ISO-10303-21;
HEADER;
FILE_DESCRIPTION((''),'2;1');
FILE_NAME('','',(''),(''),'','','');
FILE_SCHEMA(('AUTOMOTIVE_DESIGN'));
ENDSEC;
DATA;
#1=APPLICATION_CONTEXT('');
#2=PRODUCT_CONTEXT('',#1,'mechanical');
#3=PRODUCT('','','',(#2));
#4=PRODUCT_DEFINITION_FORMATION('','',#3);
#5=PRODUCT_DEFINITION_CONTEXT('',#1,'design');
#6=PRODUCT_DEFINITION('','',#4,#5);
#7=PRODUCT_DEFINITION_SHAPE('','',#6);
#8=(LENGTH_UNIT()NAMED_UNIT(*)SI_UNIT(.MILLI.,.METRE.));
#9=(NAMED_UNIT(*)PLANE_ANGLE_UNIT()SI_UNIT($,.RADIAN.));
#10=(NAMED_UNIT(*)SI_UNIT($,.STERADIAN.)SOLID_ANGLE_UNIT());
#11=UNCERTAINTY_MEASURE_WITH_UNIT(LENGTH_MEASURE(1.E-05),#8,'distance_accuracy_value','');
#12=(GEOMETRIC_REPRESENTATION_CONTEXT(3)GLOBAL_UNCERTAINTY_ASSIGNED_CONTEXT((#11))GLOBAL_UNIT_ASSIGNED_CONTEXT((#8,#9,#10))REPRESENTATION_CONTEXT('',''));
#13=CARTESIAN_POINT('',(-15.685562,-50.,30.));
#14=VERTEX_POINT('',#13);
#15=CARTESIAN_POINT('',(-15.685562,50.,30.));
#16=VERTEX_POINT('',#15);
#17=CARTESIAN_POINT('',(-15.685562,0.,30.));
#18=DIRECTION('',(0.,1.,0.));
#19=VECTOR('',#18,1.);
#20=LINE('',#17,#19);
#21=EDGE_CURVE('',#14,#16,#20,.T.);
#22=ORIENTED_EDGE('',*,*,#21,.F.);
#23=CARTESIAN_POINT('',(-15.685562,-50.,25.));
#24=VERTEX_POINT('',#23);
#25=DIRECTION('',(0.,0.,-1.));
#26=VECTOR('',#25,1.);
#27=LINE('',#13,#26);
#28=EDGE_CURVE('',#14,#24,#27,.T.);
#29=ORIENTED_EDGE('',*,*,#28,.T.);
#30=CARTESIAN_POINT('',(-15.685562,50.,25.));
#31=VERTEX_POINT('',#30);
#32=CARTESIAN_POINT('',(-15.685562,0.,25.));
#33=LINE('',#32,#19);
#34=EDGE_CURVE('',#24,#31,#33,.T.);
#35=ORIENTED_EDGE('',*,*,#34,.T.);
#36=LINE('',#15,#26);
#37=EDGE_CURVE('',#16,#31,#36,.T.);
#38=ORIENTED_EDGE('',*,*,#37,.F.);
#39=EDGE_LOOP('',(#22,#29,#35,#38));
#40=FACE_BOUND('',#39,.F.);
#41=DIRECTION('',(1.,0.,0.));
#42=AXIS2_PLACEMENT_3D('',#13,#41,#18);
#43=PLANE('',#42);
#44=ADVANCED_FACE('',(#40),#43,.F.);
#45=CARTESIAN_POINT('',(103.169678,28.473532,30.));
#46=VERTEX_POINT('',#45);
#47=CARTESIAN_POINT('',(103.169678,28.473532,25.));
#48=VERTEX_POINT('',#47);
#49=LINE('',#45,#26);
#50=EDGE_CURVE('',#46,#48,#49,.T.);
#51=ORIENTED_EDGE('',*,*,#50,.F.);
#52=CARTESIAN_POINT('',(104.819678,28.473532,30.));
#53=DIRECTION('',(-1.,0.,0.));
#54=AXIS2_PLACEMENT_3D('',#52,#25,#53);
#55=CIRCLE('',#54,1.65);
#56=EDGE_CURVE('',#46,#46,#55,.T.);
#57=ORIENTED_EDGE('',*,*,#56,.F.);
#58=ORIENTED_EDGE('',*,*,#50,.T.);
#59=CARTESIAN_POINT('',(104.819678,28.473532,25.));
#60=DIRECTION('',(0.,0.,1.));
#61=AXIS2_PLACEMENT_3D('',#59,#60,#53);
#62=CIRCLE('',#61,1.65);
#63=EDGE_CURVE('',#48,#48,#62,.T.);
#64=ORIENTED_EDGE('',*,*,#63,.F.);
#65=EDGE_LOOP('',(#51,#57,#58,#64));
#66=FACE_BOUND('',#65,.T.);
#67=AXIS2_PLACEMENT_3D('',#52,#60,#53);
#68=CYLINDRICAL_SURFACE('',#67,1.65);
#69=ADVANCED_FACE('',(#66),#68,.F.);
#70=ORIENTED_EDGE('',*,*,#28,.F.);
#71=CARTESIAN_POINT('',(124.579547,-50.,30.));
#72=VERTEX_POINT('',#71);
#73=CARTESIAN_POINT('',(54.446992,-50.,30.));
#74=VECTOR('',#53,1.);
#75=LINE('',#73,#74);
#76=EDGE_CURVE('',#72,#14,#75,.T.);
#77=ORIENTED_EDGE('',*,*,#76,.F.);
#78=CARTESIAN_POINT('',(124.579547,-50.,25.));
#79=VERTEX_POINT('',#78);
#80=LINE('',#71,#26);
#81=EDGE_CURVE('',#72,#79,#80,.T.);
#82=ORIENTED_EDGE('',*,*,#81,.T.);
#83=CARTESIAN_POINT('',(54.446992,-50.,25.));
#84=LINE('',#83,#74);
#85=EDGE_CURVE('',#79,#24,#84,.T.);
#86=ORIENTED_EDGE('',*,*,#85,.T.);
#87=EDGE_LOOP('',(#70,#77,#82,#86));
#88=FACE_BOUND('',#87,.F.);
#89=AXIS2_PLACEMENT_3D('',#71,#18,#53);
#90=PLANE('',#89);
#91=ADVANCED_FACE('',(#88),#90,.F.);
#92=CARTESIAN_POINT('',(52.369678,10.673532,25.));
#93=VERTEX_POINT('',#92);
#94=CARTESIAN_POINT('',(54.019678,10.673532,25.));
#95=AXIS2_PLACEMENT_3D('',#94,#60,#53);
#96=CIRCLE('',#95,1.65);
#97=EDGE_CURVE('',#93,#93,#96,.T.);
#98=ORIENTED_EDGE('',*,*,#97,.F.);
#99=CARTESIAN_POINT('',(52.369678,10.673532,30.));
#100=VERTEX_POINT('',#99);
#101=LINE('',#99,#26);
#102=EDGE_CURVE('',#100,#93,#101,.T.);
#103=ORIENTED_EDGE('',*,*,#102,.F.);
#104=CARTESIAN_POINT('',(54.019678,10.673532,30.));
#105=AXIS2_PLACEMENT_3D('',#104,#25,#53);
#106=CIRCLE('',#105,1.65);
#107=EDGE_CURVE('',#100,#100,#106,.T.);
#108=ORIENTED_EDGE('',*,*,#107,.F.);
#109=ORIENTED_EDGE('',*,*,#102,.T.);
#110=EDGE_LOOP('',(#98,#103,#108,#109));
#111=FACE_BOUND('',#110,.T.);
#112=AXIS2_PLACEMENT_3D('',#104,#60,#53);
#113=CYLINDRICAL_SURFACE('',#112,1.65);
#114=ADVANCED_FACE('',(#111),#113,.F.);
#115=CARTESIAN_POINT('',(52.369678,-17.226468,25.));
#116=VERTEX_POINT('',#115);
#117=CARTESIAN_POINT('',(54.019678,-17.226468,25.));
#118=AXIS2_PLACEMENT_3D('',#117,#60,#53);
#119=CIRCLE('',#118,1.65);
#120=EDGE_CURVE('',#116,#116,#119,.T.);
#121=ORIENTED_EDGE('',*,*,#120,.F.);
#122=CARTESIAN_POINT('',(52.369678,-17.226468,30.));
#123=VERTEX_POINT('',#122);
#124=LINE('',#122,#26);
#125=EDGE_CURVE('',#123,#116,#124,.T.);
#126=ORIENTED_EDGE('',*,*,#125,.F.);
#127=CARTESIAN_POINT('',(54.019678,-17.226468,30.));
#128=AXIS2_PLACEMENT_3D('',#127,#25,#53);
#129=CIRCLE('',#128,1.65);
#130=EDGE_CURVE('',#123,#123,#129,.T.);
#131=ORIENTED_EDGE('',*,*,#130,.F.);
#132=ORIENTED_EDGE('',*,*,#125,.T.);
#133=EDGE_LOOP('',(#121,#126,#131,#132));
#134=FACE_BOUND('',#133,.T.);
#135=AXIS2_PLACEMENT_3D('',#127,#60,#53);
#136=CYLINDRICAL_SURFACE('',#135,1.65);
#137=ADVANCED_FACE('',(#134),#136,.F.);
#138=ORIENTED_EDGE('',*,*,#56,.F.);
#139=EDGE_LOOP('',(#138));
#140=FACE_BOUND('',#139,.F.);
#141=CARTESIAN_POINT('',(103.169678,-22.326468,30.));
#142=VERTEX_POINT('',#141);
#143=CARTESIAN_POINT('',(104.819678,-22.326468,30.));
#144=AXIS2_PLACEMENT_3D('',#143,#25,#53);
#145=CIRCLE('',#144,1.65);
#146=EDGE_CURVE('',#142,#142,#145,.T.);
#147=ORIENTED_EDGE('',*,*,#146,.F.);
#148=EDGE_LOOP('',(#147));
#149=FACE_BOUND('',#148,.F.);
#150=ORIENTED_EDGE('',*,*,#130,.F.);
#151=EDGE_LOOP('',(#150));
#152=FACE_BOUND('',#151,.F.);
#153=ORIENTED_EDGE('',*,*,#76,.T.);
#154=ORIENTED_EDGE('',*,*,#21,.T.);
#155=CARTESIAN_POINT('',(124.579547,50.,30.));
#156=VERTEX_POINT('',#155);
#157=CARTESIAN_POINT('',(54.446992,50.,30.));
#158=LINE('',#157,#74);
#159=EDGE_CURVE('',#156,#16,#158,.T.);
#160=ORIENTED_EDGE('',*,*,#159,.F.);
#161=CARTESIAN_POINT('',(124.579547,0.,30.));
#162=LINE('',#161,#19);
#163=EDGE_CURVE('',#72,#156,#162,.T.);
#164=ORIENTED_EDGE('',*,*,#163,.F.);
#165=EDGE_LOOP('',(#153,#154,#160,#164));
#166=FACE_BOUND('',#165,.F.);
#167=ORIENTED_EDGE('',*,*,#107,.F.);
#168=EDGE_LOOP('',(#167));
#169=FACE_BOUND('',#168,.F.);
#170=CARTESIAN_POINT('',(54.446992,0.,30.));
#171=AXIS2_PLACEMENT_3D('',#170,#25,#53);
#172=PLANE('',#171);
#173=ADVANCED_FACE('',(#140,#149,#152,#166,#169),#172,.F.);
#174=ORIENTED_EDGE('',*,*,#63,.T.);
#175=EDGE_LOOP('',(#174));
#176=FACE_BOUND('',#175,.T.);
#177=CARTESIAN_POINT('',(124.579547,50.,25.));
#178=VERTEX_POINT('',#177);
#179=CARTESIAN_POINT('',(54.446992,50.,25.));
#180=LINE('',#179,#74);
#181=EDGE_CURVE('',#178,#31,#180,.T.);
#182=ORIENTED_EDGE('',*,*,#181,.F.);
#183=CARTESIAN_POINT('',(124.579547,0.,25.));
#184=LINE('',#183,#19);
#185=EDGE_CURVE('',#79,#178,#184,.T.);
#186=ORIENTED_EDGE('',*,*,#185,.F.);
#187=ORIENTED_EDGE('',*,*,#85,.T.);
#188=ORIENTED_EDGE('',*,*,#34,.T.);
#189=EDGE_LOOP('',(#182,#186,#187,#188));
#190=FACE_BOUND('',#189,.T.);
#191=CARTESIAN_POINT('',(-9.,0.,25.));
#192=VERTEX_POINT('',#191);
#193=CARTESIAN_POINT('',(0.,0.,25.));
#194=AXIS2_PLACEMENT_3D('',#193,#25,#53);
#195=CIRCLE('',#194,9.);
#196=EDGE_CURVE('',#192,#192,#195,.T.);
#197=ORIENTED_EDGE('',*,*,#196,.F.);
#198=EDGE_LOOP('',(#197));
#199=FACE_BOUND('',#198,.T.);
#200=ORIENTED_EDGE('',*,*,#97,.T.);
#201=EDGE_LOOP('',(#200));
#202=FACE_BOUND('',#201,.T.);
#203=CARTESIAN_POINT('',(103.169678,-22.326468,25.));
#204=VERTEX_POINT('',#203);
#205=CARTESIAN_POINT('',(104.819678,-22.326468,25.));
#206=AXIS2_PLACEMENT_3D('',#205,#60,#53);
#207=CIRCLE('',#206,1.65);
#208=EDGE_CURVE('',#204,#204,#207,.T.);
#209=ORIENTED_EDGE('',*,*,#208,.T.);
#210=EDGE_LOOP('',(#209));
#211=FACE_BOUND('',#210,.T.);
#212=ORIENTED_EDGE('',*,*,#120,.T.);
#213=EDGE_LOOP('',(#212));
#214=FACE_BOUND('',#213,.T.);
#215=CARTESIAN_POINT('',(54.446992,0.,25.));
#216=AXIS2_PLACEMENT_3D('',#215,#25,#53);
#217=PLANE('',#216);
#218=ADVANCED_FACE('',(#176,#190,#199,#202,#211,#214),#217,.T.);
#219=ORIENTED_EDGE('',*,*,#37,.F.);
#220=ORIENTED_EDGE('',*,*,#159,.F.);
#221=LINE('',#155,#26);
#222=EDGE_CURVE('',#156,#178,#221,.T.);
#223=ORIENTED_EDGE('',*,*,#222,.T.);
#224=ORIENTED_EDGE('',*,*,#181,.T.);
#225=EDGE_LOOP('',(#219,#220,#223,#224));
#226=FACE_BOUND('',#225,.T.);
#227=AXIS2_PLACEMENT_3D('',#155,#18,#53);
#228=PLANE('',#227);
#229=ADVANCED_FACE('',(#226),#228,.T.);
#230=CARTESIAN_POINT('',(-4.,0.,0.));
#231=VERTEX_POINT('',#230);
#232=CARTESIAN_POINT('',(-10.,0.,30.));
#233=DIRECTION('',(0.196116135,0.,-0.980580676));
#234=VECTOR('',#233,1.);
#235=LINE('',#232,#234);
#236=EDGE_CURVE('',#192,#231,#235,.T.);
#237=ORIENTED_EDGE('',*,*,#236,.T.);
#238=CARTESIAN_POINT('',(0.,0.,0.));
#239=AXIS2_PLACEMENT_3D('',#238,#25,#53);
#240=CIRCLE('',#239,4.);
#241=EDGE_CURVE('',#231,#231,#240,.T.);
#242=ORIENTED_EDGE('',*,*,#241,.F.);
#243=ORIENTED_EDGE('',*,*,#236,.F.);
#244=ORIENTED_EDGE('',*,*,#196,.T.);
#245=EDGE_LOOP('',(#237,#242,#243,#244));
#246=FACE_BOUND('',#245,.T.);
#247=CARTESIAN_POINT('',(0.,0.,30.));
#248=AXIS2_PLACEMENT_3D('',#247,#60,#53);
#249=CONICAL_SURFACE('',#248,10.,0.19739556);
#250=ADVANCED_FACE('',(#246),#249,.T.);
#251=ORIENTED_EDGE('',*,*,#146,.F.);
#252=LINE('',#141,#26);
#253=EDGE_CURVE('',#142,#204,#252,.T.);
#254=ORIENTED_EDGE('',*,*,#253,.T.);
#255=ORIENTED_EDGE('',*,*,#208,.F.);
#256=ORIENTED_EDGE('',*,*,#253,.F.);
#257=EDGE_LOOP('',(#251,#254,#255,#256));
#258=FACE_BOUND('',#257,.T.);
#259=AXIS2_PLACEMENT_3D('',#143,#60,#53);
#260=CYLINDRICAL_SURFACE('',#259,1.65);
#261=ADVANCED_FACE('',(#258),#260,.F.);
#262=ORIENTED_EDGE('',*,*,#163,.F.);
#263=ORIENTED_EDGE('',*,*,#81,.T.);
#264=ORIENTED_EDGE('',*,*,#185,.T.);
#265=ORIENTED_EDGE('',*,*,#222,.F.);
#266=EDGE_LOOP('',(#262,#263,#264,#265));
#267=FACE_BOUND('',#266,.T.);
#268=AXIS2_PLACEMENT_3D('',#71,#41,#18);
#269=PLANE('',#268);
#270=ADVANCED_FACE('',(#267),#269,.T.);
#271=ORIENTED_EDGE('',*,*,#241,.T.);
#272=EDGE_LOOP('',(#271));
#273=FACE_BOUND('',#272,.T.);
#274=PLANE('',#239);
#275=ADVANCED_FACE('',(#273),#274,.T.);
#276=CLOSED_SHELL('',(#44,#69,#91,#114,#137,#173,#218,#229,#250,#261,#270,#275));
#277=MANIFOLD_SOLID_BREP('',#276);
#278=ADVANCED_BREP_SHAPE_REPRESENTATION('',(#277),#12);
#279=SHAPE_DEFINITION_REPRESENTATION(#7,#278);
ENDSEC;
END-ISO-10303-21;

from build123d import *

# Parameters (mm, degrees)
SKETCH_R                  = 1.65
PAD_DEPTH                 = 10
SKETCH001_W               = 140.265109
SKETCH001_H               = 100
PAD003_DEPTH              = 5
FUSION008_PLACEMENT_ANGLE = 180


with BuildPart() as pad:
    # Sketch → Pad (new body)
    with BuildSketch(Plane.XY):
        with Locations((4.180322, -22.326468)):
            Circle(SKETCH_R)
        with Locations((4.180322, 28.473532)):
            Circle(SKETCH_R)
        with Locations((54.980322, -17.226468)):
            Circle(SKETCH_R)
        with Locations((54.980322, 10.673532)):
            Circle(SKETCH_R)
    extrude(amount=PAD_DEPTH)


with BuildPart() as cut:
    # Sketch001 → Pad003 (new body)
    with BuildSketch(Plane.XY):
        with Locations((54.553008, 0)):
            Rectangle(SKETCH001_W, SKETCH001_H)
    extrude(amount=PAD003_DEPTH)

    # Cut: cut Pad
    add(pad.part, mode=Mode.SUBTRACT)


with BuildPart() as placa:
    # Cone → Cone (revolve)
    with BuildSketch(Plane(origin=(109, 0, 0), x_dir=(1, 0, 0), z_dir=(0, -1, 0))):
        Polygon((0, 0), (10, 0), (4, 30), (0, 30), align=None)
    revolve(axis=Axis((109, 0, 0), (0, 0, 1)))

    # Fusion008: union Cut
    add(cut.part)


with BuildPart() as placa_1:
    # Fusion008 placement: moved
    add(placa.part.moved(Location((109, 0, 30))).rotate(Axis((109, 0, 30), (0, 1, 0)), FUSION008_PLACEMENT_ANGLE))


solid = placa_1.part
